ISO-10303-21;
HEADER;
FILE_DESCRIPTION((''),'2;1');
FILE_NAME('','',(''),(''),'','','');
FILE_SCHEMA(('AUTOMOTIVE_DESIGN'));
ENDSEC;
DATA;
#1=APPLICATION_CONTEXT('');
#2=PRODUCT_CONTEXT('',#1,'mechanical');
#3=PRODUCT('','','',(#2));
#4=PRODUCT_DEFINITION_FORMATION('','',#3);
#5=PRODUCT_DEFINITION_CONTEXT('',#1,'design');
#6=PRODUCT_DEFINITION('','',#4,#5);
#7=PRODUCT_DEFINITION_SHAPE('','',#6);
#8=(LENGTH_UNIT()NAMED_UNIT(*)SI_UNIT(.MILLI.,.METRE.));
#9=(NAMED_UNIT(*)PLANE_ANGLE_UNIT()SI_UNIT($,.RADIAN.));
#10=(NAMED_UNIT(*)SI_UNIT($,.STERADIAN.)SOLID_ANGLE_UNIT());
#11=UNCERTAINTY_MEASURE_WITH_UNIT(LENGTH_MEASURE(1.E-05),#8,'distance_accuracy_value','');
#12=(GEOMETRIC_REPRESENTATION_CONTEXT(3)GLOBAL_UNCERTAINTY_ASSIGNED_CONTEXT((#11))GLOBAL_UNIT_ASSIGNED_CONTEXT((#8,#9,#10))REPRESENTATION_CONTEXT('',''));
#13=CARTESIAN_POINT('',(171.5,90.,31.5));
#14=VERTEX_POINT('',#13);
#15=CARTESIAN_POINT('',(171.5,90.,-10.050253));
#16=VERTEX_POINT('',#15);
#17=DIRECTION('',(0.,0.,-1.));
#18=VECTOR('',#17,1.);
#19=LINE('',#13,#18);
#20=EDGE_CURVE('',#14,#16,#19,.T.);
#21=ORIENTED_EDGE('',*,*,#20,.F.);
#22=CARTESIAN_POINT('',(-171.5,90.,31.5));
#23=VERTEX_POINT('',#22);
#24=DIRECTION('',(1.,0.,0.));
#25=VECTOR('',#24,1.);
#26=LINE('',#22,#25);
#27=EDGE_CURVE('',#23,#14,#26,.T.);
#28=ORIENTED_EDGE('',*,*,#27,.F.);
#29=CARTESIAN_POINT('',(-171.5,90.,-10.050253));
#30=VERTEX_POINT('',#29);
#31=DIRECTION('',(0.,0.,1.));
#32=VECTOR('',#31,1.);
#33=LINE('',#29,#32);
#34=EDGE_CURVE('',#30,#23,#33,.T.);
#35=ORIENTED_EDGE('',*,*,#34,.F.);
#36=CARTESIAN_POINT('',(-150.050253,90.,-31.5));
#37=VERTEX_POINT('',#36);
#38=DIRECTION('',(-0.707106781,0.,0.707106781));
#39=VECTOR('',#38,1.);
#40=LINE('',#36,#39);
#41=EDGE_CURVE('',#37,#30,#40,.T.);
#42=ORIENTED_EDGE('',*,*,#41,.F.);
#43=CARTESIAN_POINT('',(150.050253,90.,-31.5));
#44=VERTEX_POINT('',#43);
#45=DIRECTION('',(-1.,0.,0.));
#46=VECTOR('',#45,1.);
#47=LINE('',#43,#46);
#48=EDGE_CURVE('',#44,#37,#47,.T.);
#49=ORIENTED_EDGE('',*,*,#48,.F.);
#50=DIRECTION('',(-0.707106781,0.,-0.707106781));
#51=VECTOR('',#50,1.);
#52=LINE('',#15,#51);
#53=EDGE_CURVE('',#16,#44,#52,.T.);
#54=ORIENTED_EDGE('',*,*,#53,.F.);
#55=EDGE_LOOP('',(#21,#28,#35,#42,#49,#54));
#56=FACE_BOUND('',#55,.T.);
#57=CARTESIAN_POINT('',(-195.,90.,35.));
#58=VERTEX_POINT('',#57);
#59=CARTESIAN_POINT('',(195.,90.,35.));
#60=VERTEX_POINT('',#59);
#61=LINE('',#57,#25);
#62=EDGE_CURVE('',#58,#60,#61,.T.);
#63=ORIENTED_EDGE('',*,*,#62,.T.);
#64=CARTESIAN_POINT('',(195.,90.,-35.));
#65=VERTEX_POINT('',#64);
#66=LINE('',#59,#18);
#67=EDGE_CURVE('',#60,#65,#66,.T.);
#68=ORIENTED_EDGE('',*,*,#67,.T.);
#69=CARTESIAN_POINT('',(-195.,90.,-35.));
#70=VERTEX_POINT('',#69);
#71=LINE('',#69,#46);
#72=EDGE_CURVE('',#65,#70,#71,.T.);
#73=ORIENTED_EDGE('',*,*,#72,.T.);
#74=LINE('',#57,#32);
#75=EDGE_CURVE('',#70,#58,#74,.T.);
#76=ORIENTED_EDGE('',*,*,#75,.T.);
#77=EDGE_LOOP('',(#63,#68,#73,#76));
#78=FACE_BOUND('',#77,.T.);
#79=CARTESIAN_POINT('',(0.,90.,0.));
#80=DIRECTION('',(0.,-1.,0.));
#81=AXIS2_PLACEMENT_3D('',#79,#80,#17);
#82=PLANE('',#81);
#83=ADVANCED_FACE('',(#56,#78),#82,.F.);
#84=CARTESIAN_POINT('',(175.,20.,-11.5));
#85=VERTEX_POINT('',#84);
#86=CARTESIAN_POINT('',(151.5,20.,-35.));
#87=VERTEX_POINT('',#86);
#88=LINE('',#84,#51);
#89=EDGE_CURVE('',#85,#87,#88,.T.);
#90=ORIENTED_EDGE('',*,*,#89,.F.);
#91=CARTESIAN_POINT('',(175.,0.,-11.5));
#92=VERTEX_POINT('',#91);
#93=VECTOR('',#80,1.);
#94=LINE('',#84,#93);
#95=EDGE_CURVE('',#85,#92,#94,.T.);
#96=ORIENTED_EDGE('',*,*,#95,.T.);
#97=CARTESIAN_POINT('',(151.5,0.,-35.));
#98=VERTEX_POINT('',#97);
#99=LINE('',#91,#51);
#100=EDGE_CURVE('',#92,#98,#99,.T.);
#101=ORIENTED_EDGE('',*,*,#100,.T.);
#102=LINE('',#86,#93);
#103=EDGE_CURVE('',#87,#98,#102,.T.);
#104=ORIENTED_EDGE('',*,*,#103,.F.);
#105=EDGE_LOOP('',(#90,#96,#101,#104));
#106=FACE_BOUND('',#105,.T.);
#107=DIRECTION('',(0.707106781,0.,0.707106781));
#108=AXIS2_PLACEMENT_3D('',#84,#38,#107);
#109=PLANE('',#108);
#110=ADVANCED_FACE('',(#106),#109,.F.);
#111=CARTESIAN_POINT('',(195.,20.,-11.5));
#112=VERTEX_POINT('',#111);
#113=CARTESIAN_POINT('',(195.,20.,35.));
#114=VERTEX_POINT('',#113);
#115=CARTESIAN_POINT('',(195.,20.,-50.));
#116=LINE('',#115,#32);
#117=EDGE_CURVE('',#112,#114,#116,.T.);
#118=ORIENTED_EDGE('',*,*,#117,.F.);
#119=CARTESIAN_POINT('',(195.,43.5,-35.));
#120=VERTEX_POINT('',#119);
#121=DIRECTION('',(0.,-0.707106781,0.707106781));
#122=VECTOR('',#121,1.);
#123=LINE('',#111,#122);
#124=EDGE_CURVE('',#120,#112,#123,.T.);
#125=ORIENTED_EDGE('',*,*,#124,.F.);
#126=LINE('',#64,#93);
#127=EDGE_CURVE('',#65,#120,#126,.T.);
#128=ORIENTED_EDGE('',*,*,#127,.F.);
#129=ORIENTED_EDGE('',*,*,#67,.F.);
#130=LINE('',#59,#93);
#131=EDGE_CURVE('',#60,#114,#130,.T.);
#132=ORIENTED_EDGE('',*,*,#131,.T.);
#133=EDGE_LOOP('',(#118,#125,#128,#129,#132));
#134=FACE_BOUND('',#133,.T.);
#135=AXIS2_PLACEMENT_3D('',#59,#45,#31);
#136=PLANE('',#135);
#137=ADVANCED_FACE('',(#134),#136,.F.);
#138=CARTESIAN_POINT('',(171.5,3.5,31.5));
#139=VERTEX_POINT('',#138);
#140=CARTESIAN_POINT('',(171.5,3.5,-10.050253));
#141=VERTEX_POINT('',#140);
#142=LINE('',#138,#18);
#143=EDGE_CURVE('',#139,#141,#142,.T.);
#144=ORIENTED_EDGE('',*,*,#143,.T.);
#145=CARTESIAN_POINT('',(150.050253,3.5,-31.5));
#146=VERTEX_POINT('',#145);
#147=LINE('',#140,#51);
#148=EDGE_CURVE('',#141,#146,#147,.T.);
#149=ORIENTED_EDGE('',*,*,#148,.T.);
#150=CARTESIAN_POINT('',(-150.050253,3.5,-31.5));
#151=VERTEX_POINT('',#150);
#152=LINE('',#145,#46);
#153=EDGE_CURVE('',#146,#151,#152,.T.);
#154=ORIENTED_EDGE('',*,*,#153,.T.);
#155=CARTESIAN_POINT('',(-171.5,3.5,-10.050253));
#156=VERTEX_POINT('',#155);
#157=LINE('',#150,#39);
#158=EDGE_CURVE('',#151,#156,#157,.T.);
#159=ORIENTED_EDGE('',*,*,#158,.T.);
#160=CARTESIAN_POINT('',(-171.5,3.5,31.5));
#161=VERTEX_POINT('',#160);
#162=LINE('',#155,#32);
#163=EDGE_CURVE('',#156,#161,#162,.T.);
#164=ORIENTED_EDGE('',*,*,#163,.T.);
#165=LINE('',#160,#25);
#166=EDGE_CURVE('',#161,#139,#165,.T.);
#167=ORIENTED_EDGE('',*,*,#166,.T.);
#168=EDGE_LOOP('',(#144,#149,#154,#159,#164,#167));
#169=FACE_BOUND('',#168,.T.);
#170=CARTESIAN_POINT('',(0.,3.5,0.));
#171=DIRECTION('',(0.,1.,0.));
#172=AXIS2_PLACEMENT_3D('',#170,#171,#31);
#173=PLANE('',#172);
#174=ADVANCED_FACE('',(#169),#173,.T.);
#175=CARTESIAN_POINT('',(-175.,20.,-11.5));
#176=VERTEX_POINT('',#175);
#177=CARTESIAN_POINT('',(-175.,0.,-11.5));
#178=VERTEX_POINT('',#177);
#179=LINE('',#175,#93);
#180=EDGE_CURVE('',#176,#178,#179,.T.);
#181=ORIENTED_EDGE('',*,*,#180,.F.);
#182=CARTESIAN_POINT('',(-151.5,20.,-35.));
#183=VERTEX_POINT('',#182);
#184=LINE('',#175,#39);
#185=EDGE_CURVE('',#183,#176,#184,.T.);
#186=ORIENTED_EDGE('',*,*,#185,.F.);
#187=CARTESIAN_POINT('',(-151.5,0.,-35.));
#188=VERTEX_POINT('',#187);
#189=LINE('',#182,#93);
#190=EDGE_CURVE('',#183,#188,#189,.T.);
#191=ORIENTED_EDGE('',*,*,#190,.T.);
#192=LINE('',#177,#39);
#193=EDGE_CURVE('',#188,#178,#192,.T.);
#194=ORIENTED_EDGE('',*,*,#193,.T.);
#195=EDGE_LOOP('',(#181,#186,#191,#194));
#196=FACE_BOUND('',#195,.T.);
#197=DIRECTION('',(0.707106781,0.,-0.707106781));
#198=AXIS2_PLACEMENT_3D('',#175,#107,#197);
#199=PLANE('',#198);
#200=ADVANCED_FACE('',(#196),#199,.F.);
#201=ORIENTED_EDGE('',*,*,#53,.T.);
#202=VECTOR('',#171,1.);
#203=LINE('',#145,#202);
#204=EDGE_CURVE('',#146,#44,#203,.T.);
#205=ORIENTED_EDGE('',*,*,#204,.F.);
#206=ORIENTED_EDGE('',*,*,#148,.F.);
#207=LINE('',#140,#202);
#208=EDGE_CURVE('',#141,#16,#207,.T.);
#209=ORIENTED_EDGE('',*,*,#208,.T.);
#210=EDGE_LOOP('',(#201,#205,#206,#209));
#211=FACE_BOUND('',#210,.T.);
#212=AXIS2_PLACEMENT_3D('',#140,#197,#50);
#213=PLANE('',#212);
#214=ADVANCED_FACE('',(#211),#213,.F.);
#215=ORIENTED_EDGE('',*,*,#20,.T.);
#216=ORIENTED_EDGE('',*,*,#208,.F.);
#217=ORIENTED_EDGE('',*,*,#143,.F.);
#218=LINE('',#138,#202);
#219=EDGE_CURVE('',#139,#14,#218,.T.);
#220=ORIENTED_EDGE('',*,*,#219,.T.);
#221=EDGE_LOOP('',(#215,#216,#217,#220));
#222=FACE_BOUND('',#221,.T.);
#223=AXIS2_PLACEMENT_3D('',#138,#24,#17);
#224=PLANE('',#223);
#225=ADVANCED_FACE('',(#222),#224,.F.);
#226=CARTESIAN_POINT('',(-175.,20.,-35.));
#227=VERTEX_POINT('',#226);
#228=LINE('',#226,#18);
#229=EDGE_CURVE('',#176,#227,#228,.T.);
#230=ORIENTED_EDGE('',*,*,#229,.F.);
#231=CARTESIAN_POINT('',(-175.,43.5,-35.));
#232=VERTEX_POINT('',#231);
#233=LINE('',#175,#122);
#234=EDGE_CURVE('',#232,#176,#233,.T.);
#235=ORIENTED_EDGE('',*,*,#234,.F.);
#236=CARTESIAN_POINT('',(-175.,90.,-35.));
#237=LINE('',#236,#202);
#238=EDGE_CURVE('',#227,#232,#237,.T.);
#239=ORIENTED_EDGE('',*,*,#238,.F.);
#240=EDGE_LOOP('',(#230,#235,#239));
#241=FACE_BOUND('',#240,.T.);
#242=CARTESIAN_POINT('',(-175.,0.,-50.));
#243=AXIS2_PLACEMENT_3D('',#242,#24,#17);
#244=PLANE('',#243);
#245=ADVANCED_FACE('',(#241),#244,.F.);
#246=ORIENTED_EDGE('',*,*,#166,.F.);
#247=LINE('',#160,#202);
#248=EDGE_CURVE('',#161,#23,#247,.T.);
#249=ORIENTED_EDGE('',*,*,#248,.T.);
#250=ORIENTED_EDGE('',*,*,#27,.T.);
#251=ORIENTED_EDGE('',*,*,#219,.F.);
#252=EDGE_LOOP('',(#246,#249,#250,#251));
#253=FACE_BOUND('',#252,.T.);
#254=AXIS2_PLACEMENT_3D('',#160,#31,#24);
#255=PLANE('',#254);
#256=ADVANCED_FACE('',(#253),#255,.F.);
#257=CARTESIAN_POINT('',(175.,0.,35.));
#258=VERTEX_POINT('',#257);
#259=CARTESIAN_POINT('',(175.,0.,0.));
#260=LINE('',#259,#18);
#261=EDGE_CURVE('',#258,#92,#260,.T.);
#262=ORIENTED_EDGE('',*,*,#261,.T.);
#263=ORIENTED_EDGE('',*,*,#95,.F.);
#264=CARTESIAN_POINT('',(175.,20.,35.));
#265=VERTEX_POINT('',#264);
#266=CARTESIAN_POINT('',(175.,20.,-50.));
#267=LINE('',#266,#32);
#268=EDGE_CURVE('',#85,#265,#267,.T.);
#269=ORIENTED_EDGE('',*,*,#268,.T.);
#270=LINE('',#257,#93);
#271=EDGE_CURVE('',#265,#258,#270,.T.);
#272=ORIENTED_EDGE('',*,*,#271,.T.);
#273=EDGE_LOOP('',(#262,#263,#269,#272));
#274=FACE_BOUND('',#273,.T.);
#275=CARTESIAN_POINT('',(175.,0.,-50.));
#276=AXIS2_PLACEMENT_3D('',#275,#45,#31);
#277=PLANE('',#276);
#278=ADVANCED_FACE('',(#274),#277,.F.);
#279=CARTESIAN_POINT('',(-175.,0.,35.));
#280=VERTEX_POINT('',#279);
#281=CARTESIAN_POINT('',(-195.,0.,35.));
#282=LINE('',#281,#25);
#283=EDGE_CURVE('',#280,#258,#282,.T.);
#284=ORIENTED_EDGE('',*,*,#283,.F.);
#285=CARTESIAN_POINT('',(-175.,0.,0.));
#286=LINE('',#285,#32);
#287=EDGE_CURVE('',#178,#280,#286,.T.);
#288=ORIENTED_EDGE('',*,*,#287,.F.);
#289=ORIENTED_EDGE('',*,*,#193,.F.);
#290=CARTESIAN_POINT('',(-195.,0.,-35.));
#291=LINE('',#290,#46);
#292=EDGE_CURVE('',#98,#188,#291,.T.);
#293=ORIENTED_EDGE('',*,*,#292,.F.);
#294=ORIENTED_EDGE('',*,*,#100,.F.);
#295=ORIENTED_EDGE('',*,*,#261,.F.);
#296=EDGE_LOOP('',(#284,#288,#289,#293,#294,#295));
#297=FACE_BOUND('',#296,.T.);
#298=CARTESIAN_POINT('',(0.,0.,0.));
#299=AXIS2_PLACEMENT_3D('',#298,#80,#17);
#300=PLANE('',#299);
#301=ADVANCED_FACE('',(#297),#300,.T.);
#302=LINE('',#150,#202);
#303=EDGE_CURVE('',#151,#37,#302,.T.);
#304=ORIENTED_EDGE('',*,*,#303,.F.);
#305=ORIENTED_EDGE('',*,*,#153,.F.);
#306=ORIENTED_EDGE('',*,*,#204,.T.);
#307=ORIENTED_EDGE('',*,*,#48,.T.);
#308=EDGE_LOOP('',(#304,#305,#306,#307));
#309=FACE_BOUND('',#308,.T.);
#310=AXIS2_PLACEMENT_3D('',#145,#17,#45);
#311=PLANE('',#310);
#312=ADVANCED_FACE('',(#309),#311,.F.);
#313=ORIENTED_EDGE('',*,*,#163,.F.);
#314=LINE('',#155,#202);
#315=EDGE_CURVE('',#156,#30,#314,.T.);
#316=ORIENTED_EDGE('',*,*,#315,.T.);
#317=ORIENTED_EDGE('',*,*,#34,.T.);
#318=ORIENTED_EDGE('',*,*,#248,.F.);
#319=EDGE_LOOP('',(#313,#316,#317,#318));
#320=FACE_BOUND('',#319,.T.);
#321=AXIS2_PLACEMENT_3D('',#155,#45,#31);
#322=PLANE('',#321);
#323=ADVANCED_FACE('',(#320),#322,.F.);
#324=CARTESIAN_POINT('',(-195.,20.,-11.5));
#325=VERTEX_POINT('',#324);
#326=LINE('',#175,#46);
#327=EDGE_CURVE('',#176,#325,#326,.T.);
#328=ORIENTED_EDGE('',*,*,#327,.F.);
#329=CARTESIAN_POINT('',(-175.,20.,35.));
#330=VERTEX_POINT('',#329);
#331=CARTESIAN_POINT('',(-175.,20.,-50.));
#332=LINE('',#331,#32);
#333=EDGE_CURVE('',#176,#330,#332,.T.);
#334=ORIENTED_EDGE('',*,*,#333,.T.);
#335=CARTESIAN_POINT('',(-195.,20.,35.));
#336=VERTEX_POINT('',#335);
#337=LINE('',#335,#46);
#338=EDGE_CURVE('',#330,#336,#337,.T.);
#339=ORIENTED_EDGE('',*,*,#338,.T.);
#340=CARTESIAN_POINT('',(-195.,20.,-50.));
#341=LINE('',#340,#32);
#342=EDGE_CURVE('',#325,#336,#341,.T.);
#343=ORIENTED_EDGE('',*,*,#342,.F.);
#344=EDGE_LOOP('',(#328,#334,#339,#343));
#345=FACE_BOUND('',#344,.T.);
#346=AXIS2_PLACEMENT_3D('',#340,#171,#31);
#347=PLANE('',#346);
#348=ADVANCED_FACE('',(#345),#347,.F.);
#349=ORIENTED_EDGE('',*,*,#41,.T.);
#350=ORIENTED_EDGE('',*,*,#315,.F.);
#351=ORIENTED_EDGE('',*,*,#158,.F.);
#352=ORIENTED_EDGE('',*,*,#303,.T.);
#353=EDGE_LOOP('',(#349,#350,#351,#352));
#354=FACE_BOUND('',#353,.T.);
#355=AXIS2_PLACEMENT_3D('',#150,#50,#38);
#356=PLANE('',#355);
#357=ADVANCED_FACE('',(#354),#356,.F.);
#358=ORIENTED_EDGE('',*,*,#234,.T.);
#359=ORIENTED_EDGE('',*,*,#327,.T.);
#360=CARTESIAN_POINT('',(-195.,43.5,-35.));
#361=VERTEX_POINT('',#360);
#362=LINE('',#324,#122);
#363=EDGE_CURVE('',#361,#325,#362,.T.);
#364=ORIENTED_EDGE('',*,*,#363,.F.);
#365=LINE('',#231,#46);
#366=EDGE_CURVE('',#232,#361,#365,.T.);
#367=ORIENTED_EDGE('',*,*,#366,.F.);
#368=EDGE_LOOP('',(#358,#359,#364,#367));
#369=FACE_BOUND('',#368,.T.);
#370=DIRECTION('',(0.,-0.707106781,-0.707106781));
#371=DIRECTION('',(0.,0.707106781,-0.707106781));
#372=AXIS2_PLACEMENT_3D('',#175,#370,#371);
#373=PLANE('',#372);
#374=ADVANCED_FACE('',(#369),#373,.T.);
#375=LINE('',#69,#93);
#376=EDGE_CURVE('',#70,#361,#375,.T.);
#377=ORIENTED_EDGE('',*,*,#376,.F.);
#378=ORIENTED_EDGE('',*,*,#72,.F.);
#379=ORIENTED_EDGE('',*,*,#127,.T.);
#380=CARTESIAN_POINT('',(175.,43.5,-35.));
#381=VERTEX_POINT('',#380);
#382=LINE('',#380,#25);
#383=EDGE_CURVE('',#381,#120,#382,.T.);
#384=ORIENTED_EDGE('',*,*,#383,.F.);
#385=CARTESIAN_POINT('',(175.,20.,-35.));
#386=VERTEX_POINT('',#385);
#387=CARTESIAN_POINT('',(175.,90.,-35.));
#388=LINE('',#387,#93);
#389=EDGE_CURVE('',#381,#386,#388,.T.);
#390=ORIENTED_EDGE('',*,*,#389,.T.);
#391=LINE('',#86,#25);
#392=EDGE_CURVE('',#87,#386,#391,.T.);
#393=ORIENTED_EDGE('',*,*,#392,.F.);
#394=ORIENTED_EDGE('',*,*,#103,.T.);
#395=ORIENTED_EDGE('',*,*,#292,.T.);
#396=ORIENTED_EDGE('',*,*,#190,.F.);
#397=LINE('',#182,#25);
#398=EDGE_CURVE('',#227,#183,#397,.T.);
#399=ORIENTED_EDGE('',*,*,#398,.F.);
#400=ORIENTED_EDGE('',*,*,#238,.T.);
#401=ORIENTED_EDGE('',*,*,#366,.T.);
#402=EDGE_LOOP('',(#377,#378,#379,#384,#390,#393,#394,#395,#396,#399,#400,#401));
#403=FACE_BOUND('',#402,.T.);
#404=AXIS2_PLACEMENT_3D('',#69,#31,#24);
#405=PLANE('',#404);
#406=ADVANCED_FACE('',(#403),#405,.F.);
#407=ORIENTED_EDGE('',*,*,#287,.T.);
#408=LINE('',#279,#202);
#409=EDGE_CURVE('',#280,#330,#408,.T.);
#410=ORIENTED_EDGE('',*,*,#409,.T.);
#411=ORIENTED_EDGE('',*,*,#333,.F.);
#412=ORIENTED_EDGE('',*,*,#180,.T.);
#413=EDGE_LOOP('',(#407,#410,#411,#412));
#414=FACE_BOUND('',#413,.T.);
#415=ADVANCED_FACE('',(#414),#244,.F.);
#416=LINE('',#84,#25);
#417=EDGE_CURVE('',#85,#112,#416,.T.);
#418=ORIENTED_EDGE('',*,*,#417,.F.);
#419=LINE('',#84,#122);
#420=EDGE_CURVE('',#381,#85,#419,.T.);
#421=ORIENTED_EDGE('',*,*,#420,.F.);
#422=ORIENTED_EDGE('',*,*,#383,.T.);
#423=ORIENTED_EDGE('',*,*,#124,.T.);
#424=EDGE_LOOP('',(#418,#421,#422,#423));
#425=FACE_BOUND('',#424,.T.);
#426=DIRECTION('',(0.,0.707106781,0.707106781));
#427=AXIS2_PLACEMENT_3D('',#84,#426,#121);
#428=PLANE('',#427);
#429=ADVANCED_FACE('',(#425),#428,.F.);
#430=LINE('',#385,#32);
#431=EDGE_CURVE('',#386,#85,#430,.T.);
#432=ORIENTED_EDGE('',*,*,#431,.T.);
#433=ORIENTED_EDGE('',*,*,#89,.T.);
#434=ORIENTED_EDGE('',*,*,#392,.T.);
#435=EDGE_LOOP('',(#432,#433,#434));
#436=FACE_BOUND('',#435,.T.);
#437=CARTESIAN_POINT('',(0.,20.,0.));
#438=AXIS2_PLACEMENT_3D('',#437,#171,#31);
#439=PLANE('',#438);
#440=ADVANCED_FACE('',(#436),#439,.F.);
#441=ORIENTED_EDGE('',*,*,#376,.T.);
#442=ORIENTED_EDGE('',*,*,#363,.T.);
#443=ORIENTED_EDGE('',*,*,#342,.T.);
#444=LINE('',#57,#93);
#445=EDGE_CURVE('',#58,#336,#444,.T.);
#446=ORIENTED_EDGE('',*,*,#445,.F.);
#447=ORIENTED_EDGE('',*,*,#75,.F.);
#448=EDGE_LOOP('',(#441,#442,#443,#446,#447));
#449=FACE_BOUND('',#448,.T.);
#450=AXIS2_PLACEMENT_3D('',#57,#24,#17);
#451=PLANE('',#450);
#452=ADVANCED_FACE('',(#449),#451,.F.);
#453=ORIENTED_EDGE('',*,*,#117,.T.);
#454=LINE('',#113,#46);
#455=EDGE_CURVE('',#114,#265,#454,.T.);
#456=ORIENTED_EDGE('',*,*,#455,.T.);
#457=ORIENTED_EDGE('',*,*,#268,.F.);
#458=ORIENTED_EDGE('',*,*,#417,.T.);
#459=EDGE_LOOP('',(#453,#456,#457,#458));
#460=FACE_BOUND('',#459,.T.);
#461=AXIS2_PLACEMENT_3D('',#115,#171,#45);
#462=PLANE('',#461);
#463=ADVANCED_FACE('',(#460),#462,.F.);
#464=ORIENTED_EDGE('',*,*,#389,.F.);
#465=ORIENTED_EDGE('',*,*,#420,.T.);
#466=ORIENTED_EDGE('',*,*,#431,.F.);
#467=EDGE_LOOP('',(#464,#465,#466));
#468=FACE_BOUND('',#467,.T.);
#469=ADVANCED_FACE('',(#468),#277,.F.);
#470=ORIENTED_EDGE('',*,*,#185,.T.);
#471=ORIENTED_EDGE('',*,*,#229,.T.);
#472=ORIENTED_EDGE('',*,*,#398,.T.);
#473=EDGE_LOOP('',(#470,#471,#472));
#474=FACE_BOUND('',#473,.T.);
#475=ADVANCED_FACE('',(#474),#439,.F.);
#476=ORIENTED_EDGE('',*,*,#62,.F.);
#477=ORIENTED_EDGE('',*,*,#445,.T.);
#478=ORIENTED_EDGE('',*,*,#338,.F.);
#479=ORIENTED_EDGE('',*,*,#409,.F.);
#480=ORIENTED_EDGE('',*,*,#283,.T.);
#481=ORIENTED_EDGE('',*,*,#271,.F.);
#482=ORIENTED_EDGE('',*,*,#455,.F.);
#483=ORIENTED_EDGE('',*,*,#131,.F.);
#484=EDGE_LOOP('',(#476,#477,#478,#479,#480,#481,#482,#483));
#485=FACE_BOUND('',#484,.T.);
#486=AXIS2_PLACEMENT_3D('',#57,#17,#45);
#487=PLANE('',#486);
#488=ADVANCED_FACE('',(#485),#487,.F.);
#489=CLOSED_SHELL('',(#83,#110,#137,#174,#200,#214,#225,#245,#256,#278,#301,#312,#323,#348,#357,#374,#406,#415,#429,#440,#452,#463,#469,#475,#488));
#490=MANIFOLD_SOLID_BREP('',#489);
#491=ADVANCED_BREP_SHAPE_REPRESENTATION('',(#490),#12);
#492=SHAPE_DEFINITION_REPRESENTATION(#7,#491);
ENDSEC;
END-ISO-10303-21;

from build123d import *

# Parameters (mm, degrees)
SKETCH_1_W          = 390
SKETCH_1_H          = 70
EXTRUDE_1_DEPTH     = 90
SKETCH_2_W          = 20
SKETCH_2_H          = 20
CUT_EXTRUDE_1_DEPTH = 85
CUT_EXTRUDE_2_DEPTH = 20
CUT_EXTRUDE_3_DEPTH = 20
CUT_EXTRUDE_4_DEPTH = 86.5


with BuildPart() as part:
    # 草圖1 → 填料-伸長1 (new body)
    with BuildSketch(Plane(origin=(0, 0, 0), x_dir=(1, 0, 0), z_dir=(0, 1, 0))):
        Rectangle(SKETCH_1_W, SKETCH_1_H)
    extrude(amount=EXTRUDE_1_DEPTH)

    # 草圖2 → 除料-伸長1 (cut)
    with BuildSketch(Plane.XY.offset(35)):
        with Locations((185, 10)):
            Rectangle(SKETCH_2_W, SKETCH_2_H)
        with Locations((-185, 10)):
            Rectangle(SKETCH_2_W, SKETCH_2_H)
    extrude(amount=-CUT_EXTRUDE_1_DEPTH, mode=Mode.SUBTRACT)

    # 草圖3 → 除料-伸長2 (cut)
    with BuildSketch(Plane(origin=(195, 0, 0), x_dir=(0, 0, -1), z_dir=(1, 0, 0))):
        Polygon((35, 20), (11.5, 20), (35, 43.5), align=None)
    cut_extrude_2 = extrude(amount=-CUT_EXTRUDE_2_DEPTH, mode=Mode.SUBTRACT)

    # 鏡射1: 除料-伸長2 across plane
    add(cut_extrude_2.mirror(Plane(origin=(0, 0, 0), x_dir=(0, 0, 1), z_dir=(1, 0, 0))), mode=Mode.SUBTRACT)

    # 草圖4 → 除料-伸長3 (cut)
    with BuildSketch(Plane.XZ):
        Polygon((-151.5, -35), (-175, -35), (-175, -11.5), align=None)
        Polygon((175, -11.5), (151.5, -35), (175, -35), align=None)
    extrude(amount=-CUT_EXTRUDE_3_DEPTH, mode=Mode.SUBTRACT)

    # 草圖5 → 除料-伸長4 (cut)
    with BuildSketch(Plane(origin=(0, 90, 0), x_dir=(1, 0, 0), z_dir=(0, 1, 0))):
        Polygon((-171.5, 10.050252532), (-171.5, -31.5), (171.5, -31.5), (171.5, 10.050252532), (150.050252532, 31.5), (-150.050252532, 31.5), align=None)
    extrude(amount=-CUT_EXTRUDE_4_DEPTH, mode=Mode.SUBTRACT)


solid = part.part
